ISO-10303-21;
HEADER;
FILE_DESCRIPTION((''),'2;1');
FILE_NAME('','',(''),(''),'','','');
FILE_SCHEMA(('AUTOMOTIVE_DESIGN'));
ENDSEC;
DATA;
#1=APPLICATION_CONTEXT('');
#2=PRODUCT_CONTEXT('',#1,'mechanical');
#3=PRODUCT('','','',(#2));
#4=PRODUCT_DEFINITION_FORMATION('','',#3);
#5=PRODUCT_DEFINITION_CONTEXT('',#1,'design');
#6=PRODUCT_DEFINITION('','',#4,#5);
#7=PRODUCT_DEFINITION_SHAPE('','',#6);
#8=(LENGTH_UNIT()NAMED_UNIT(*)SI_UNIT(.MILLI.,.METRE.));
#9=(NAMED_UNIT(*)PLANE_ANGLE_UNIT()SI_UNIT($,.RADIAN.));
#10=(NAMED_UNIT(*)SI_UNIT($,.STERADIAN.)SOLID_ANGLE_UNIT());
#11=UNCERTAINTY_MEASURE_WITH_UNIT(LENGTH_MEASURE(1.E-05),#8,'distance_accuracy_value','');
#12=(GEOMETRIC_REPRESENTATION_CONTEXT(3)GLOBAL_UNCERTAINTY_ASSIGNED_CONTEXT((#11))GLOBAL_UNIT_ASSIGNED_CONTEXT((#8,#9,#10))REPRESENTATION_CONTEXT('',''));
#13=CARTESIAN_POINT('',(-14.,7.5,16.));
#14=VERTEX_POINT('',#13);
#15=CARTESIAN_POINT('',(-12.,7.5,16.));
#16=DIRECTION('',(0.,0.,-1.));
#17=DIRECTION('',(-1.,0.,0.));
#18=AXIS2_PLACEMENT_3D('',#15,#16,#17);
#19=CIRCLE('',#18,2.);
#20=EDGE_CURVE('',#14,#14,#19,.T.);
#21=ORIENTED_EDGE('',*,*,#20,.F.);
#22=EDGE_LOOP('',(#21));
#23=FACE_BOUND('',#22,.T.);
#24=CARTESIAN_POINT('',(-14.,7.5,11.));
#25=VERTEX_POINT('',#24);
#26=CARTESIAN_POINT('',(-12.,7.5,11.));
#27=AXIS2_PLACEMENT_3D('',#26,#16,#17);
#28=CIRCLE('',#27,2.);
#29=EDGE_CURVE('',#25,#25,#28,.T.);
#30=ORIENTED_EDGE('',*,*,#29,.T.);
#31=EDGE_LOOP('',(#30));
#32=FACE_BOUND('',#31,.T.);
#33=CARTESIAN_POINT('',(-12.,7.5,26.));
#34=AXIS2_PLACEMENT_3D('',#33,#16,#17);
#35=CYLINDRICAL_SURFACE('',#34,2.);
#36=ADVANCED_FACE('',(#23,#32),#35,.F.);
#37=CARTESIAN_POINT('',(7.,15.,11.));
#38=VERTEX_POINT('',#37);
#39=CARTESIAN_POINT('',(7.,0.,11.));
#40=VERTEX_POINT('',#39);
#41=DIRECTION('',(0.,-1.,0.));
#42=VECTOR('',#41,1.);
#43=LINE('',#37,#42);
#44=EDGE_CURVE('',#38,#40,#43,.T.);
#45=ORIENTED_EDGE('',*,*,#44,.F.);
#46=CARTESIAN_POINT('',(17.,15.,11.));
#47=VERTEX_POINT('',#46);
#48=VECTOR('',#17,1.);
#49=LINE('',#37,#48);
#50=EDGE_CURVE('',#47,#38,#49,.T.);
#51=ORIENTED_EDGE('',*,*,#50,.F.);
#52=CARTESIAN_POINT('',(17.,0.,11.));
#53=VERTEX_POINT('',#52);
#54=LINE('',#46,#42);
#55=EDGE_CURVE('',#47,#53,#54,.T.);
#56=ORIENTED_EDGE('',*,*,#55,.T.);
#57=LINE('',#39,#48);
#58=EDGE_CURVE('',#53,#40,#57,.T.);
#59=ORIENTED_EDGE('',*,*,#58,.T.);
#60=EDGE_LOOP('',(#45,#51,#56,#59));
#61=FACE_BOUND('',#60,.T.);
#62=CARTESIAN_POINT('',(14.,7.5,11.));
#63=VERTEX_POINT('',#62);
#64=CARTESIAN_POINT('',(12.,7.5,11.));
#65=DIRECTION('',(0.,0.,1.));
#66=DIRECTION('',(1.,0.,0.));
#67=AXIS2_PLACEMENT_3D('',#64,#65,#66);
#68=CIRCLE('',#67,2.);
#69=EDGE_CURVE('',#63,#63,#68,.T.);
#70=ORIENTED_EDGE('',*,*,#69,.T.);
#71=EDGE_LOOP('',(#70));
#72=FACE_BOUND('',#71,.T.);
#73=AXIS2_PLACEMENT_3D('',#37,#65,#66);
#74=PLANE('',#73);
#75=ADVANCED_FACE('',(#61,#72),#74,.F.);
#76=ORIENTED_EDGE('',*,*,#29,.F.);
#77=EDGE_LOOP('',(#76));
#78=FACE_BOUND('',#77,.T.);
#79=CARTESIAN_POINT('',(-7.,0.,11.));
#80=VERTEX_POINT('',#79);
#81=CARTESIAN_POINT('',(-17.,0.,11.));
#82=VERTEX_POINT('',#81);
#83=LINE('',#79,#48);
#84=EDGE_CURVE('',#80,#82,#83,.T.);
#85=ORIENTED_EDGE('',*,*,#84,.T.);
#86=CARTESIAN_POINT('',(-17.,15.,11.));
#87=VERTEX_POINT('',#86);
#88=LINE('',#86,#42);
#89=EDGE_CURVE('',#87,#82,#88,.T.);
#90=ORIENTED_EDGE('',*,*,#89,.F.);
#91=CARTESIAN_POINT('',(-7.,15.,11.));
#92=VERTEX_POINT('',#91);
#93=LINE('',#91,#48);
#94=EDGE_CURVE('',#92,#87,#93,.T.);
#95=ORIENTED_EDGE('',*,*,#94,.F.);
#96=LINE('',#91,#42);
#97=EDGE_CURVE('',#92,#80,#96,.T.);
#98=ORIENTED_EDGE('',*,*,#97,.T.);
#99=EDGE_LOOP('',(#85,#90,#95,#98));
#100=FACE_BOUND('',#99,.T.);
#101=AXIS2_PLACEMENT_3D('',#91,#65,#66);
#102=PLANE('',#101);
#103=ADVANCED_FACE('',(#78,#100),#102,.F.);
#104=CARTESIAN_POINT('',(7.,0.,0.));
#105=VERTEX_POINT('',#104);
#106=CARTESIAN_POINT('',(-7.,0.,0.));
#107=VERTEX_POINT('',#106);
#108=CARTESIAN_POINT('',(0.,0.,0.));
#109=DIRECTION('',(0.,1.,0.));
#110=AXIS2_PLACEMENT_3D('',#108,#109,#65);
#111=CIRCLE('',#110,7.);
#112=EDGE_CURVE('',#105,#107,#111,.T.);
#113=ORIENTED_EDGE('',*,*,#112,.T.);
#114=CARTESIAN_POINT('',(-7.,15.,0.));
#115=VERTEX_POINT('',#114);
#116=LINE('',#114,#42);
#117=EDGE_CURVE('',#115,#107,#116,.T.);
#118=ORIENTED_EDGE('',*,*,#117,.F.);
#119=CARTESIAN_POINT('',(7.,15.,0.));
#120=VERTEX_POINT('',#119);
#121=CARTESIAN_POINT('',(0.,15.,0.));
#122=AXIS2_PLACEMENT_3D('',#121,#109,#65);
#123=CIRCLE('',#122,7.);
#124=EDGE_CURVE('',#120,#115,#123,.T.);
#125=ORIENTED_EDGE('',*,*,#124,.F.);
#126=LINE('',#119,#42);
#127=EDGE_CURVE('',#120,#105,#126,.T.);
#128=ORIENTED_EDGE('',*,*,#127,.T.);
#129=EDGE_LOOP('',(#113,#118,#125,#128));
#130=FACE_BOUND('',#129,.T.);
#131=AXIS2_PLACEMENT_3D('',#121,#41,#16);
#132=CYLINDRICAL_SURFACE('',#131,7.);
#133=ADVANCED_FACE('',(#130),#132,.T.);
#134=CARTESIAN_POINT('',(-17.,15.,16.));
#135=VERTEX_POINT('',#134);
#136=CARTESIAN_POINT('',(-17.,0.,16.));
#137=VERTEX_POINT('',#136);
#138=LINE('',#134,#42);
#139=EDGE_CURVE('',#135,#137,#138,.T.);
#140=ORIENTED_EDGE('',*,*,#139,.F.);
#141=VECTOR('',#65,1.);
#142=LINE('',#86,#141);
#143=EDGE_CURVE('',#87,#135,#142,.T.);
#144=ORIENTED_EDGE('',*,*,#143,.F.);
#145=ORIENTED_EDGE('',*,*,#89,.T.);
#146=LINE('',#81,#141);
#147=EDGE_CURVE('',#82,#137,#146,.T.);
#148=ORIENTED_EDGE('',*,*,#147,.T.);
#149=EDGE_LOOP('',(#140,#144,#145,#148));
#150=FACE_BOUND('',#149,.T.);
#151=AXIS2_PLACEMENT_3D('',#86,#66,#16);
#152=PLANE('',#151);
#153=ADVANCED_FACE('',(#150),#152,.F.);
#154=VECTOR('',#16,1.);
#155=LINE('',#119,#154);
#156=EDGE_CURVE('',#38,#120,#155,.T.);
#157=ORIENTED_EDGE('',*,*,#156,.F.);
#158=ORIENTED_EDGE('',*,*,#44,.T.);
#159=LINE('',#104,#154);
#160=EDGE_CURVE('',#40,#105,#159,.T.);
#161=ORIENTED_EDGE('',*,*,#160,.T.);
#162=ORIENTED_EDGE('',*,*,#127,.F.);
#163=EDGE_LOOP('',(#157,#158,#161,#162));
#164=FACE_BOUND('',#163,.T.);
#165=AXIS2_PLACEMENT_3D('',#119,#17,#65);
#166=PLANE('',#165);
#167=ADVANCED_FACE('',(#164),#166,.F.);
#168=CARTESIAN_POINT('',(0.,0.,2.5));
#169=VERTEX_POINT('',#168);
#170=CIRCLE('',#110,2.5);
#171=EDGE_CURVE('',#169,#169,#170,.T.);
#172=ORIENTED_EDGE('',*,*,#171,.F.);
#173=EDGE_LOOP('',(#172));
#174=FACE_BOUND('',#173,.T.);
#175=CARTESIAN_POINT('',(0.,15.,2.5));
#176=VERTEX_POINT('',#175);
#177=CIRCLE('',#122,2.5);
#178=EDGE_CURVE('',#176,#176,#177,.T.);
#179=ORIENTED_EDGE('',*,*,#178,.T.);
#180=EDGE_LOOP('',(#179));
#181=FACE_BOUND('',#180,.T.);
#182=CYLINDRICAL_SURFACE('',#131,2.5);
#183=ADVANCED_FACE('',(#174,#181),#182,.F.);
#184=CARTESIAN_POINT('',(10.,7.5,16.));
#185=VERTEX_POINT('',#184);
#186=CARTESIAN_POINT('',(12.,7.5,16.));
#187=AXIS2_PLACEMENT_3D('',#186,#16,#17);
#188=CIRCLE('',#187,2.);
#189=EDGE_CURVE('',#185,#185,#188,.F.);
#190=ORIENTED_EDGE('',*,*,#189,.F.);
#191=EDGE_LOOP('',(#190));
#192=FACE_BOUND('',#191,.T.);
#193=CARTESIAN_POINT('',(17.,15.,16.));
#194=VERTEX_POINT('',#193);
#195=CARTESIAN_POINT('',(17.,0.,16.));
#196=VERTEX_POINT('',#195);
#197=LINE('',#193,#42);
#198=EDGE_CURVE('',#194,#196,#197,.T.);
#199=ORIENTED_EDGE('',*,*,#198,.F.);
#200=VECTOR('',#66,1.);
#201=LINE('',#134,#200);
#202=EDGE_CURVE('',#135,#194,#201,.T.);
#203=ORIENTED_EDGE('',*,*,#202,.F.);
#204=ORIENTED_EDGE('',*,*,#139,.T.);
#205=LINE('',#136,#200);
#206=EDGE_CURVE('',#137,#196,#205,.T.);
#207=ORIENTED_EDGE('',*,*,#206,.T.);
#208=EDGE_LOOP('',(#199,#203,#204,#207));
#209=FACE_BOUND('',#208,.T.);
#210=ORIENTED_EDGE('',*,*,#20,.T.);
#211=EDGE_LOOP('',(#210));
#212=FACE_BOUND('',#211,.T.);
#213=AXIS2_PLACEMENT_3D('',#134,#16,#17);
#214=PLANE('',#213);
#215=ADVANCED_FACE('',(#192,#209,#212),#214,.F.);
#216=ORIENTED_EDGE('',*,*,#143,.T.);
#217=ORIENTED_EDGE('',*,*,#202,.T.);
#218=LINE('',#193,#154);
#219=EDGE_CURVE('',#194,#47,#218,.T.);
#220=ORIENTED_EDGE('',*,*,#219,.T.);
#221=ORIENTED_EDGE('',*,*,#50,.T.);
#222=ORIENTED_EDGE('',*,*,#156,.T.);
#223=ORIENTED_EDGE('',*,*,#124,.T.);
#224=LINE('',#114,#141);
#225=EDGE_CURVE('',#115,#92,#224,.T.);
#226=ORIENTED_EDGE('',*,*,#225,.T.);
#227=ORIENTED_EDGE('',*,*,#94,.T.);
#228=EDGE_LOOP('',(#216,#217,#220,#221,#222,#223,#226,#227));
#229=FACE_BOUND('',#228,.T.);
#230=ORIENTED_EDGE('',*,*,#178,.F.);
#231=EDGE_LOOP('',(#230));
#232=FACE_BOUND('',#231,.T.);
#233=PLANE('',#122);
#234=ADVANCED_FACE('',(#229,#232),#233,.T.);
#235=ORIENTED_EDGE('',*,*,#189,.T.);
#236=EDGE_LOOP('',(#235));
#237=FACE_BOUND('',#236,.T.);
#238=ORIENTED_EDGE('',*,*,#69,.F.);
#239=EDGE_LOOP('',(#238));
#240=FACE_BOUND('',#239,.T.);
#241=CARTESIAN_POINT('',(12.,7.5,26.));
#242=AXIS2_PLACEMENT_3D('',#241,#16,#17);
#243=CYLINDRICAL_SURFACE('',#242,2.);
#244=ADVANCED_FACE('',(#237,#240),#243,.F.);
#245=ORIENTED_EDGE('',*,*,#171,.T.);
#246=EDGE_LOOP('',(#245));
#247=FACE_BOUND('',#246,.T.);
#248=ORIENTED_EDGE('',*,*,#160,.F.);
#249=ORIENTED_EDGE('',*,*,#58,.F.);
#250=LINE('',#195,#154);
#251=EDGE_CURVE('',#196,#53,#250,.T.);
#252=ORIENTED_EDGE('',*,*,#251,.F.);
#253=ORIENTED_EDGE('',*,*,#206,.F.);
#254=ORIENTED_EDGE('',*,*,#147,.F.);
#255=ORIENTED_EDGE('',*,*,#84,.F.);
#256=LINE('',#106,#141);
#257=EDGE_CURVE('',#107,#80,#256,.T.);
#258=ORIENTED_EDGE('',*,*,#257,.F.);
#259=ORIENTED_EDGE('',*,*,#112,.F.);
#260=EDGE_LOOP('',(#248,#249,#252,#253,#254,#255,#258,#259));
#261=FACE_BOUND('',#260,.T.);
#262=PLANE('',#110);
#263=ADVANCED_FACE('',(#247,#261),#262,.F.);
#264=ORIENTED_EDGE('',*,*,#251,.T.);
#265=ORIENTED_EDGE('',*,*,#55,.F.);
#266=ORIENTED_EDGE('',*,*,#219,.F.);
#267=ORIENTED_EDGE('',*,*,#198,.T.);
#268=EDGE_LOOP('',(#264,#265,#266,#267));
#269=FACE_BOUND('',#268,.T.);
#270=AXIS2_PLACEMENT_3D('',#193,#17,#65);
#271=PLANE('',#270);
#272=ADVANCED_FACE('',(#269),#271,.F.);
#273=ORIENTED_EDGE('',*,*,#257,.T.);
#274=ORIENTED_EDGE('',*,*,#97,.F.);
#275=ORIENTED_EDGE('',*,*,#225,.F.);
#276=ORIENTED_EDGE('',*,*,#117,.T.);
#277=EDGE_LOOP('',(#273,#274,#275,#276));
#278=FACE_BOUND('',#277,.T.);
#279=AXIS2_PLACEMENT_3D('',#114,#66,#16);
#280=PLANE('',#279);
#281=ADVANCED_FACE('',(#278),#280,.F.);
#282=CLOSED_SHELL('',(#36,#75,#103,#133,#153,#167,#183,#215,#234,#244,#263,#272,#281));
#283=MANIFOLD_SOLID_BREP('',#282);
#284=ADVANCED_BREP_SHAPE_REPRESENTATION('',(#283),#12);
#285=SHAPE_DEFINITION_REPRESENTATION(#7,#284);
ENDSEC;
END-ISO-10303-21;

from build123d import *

# Parameters (mm, degrees)
ESQUISSE1_R             = 2.5
BOSS_EXTRU_1_DEPTH      = 15
ESQUISSE2_R             = 2
ENL_V_MAT_EXTRU_1_DEPTH = 15


with BuildPart() as part:
    # Esquisse1 → Boss.-Extru.1 (new body)
    with BuildSketch(Plane(origin=(0, 0, 0), x_dir=(1, 0, 0), z_dir=(0, 1, 0))):
        with BuildLine():
            Line((-7, 0), (-7, -11))
            Line((-7, -11), (-17, -11))
            Line((-17, -11), (-17, -16))
            Line((-17, -16), (17, -16))
            Line((17, -16), (17, -11))
            Line((17, -11), (7, -11))
            Line((7, -11), (7, 0))
            ThreePointArc((7, 0), (0, 7), (-7, 0))
        make_face()
        with Locations(Location((0, 0, 0), (0, 0, 270))):
            Circle(ESQUISSE1_R, mode=Mode.SUBTRACT)
    extrude(amount=BOSS_EXTRU_1_DEPTH)

    # Esquisse2 → Enlèv. mat.-Extru.1 (cut)
    with BuildSketch(Plane(origin=(0, 0, 11), x_dir=(-1, 0, 0), z_dir=(0, 0, -1))):
        with Locations((12, 7.5)):
            Circle(ESQUISSE2_R)
    enl_v_mat_extru_1 = extrude(amount=-ENL_V_MAT_EXTRU_1_DEPTH, mode=Mode.SUBTRACT)

    # Symétrie1: Enlèv. mat.-Extru.1 across plane
    add(enl_v_mat_extru_1.mirror(Plane(origin=(0, 0, 0), x_dir=(0, 0, 1), z_dir=(1, 0, 0))), mode=Mode.SUBTRACT)


solid = part.part
